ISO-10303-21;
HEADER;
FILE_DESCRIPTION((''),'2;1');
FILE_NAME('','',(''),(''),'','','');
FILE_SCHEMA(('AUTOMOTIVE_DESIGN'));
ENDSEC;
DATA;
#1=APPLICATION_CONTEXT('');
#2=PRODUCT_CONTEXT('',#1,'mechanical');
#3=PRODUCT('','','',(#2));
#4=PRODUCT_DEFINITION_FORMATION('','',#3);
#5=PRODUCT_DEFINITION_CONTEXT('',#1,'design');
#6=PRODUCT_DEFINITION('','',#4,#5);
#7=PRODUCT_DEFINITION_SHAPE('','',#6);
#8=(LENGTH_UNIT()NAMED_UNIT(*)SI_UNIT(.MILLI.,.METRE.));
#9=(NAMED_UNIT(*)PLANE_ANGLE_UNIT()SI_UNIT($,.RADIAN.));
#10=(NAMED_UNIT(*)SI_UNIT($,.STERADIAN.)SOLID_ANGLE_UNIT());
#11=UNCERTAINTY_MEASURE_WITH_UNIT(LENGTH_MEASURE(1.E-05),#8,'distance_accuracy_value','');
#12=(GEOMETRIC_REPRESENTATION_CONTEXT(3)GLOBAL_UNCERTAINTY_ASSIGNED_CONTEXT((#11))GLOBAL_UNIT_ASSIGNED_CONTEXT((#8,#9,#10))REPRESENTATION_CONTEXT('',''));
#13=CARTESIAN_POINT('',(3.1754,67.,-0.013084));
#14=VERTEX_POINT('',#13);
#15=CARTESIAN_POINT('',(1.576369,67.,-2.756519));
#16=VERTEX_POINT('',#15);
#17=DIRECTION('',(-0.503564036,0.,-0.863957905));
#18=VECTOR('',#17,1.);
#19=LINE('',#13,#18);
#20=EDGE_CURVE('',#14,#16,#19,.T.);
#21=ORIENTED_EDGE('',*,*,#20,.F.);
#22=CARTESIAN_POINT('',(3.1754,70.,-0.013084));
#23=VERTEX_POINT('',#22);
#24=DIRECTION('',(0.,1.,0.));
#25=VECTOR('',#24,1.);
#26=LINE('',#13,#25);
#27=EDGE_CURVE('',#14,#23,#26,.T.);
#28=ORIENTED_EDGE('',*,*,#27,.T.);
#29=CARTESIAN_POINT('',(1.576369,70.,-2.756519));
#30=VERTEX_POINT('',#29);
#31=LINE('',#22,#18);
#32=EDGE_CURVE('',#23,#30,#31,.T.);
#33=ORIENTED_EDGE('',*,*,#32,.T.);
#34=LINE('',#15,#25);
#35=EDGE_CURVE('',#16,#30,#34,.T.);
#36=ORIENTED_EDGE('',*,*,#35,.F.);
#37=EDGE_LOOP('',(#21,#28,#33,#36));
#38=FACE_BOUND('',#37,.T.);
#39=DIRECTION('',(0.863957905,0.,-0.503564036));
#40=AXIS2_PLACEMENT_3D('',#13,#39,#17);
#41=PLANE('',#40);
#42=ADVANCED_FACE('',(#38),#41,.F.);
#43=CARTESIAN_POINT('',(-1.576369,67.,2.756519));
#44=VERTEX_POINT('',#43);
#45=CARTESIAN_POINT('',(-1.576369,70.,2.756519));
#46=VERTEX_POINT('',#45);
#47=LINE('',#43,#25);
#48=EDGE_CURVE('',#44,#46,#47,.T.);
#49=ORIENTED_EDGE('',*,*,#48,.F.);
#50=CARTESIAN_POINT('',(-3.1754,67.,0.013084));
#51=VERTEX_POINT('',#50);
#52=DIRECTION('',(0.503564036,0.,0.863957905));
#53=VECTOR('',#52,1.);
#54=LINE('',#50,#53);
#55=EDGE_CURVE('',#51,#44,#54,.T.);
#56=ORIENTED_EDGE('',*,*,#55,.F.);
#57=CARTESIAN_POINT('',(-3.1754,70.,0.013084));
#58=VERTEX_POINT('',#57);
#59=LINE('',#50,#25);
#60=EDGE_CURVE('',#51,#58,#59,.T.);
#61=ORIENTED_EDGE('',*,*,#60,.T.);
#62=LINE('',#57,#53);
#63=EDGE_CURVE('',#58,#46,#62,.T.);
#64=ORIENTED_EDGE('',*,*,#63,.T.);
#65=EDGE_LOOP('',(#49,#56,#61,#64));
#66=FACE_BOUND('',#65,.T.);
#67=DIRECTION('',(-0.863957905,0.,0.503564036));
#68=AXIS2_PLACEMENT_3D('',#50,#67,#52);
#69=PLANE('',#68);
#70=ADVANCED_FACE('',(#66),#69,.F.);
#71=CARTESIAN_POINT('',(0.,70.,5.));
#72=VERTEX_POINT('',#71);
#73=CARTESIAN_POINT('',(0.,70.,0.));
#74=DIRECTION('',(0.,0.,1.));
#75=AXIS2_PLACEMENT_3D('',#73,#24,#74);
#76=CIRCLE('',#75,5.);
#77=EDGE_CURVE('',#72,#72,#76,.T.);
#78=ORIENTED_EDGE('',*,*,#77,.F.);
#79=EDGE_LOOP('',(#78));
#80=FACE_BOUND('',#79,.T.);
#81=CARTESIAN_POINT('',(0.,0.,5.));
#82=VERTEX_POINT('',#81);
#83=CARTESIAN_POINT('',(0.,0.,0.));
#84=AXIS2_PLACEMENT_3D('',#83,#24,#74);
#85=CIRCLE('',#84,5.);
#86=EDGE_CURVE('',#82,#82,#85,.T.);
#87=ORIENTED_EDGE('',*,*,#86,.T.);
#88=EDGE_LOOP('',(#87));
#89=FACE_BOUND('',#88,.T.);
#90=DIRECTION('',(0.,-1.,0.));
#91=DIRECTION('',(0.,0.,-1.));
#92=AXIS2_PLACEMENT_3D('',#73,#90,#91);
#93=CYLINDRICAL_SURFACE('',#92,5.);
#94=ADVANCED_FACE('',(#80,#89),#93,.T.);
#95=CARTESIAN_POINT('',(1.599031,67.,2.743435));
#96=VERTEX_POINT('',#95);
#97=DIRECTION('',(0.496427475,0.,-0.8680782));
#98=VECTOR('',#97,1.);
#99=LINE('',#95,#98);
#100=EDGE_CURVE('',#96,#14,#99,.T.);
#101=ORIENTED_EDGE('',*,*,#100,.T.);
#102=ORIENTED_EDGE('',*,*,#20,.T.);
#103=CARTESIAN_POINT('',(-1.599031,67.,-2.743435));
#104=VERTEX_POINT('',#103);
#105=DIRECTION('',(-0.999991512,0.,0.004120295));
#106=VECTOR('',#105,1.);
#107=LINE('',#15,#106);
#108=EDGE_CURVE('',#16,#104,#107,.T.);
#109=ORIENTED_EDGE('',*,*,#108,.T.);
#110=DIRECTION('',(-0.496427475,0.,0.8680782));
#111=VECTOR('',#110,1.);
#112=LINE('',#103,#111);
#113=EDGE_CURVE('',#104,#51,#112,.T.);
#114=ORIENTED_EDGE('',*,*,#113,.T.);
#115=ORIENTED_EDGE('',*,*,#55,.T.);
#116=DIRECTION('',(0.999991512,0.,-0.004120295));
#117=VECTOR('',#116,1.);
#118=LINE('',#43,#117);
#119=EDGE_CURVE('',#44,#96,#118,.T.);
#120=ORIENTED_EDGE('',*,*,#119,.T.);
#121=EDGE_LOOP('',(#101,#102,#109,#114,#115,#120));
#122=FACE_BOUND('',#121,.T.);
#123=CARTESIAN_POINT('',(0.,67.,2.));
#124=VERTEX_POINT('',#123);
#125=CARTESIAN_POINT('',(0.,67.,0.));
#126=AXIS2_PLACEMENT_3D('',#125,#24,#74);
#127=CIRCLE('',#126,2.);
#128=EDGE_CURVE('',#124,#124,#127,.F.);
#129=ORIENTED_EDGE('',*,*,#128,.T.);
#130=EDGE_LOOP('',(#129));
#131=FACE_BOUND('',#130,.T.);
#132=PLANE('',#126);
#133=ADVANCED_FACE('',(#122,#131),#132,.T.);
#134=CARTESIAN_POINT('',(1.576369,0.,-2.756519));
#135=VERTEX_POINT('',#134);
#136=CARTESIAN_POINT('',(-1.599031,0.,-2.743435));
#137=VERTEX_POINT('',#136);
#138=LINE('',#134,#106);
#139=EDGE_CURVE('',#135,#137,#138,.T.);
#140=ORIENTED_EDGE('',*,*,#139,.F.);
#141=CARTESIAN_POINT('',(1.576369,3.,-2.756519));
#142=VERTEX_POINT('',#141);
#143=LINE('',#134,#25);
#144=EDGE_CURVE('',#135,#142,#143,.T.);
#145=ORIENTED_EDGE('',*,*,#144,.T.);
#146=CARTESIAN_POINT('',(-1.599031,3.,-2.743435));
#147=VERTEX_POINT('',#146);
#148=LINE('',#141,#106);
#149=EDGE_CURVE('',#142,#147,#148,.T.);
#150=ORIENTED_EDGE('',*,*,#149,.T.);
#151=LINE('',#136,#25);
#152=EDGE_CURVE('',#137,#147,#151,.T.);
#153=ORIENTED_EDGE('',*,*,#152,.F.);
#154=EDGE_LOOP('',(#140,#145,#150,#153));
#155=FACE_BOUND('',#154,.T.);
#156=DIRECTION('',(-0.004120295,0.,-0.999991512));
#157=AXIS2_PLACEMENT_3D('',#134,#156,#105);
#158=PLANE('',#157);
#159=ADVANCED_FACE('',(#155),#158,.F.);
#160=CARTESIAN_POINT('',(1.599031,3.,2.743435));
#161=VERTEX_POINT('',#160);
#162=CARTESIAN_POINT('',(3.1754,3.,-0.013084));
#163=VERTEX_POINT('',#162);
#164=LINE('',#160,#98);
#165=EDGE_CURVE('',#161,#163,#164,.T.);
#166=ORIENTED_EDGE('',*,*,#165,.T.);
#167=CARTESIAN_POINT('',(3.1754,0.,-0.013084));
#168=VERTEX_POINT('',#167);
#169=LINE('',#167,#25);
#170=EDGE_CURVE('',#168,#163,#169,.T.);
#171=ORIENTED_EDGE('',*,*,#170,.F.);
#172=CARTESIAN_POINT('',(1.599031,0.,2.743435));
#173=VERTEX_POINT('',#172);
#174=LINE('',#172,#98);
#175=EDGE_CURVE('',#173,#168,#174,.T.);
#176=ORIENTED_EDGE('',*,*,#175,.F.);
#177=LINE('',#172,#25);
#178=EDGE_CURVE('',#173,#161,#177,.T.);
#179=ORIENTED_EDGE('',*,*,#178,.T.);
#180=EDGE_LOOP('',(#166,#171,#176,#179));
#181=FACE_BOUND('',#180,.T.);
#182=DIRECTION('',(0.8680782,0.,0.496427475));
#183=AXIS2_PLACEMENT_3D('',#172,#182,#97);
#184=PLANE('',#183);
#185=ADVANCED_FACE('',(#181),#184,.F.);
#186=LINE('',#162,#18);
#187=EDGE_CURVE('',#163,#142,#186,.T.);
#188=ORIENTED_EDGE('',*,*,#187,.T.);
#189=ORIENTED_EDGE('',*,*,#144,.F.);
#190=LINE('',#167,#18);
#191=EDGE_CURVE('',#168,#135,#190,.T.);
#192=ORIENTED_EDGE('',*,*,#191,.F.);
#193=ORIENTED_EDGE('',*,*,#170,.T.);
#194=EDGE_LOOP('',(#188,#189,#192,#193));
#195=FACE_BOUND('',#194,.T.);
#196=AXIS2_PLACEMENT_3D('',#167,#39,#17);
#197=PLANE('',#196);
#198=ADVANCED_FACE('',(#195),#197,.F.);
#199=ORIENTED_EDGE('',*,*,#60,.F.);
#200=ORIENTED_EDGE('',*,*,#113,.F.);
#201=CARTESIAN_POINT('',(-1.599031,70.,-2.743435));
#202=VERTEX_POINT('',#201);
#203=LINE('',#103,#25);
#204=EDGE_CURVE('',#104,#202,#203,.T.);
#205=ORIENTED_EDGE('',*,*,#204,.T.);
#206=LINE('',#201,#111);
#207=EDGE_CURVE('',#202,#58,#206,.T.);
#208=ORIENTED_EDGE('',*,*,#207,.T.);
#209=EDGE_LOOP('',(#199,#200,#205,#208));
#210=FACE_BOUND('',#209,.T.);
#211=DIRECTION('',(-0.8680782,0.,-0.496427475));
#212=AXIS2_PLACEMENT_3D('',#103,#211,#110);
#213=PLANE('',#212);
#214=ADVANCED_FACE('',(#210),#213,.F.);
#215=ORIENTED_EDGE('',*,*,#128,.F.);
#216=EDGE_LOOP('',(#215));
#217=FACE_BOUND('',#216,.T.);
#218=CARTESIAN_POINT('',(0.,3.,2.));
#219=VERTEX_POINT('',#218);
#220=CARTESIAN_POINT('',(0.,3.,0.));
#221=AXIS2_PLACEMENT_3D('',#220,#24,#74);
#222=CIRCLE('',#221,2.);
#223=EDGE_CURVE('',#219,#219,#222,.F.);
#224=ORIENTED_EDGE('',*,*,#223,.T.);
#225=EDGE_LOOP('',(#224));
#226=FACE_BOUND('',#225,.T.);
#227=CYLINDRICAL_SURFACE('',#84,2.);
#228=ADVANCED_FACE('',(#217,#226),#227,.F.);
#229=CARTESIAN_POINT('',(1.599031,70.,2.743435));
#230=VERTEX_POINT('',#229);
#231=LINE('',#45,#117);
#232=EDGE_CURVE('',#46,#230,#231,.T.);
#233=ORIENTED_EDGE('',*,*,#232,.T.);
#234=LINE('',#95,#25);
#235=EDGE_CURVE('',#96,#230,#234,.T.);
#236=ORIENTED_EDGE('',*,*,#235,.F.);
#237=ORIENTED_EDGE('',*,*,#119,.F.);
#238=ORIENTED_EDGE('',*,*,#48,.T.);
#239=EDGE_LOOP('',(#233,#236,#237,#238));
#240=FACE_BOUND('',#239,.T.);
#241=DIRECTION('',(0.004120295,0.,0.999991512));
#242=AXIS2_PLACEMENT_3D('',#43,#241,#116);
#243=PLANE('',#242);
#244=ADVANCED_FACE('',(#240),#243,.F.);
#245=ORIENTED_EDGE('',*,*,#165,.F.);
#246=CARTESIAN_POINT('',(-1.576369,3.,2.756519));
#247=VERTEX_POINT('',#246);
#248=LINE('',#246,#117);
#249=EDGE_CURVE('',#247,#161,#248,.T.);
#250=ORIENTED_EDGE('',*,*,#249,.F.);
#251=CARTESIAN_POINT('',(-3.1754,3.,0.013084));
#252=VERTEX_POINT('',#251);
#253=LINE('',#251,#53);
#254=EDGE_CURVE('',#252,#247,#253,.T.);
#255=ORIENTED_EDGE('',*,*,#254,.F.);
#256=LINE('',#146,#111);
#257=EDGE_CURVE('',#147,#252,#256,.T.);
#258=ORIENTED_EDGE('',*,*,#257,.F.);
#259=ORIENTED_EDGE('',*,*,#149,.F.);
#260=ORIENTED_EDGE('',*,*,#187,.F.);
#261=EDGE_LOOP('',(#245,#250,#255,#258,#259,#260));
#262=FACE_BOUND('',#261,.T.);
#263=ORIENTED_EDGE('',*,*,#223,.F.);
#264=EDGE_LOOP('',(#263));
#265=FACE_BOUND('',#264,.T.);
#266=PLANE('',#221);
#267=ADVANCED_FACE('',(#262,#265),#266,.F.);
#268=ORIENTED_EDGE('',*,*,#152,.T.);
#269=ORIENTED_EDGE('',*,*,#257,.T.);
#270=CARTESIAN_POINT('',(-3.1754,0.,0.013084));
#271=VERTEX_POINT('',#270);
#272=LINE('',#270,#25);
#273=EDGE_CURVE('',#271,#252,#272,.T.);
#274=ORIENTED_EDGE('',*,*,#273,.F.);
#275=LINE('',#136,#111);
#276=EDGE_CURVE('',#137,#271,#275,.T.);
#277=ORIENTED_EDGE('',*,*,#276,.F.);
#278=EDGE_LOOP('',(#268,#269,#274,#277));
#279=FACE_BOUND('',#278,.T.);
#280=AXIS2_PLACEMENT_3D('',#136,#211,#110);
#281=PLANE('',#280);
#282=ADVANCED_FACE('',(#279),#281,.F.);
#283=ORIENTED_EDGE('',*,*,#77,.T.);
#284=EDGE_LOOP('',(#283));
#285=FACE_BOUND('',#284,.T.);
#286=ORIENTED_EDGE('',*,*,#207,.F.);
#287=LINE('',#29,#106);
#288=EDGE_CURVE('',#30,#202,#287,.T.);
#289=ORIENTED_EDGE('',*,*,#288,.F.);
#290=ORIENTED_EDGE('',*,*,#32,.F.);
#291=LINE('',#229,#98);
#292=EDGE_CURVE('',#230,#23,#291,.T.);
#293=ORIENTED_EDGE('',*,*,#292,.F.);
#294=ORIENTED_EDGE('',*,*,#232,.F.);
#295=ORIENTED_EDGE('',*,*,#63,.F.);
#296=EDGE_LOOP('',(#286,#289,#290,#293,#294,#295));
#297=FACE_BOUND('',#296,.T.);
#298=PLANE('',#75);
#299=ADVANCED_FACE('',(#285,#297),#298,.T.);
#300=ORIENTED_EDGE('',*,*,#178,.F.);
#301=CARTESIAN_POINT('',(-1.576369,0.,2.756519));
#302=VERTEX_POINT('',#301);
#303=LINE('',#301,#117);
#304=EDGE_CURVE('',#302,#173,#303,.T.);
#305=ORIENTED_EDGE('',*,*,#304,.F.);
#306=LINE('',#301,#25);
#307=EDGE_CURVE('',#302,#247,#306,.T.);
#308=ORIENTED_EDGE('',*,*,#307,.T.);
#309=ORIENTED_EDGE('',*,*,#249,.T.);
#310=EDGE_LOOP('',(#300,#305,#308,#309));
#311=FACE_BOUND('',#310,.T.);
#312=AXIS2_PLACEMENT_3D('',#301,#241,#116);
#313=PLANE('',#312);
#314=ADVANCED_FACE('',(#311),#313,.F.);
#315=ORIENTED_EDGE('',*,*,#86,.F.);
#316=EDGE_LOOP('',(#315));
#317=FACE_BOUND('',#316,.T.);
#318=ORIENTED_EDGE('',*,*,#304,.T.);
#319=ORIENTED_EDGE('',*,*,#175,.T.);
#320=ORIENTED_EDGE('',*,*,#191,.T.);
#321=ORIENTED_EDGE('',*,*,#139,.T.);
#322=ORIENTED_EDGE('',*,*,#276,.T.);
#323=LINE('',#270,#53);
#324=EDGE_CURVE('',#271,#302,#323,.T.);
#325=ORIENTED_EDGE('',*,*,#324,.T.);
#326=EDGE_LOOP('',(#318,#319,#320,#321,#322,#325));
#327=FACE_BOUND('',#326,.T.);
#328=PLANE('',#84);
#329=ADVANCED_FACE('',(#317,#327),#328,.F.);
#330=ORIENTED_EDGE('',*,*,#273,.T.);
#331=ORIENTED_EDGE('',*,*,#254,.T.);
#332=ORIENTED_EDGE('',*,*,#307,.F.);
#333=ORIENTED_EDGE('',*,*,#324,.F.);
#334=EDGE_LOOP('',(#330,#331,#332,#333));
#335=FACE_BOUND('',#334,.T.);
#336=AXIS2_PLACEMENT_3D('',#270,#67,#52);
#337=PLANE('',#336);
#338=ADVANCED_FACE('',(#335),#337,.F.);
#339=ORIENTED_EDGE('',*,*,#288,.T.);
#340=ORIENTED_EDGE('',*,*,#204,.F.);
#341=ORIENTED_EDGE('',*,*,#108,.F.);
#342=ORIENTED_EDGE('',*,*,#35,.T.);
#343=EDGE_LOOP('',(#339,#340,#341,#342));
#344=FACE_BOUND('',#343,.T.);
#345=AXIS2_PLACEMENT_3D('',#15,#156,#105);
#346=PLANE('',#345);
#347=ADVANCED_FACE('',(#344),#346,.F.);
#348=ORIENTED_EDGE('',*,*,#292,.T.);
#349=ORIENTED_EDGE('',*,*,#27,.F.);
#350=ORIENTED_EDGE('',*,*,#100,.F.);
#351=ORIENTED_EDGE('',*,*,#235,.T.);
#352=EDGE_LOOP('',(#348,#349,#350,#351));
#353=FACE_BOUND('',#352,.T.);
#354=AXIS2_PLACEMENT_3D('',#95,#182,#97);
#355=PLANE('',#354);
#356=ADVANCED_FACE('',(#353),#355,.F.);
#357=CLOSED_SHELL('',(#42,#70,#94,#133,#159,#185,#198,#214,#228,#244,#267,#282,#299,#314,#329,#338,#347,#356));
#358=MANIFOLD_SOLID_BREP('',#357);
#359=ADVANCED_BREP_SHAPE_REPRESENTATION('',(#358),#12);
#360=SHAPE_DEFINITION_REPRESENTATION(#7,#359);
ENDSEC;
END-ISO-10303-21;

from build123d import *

# Parameters (mm, degrees)
SKETCH1_R           = 5
BOSS_EXTRUDE1_DEPTH = 70
SKETCH2_R           = 2
CUT_EXTRUDE1_DEPTH  = 71
CUT_EXTRUDE2_DEPTH  = 3
LPATTERN1_COUNT     = 2
LPATTERN1_PITCH     = 67


with BuildPart() as part:
    # Sketch1 → Boss-Extrude1 (new body)
    with BuildSketch(Plane(origin=(0, 0, 0), x_dir=(1, 0, 0), z_dir=(0, 1, 0))):
        Circle(SKETCH1_R)
    extrude(amount=BOSS_EXTRUDE1_DEPTH)

    # Sketch2 → Cut-Extrude1 (cut, through all)
    with BuildSketch(Plane(origin=(0, 70, 0), x_dir=(1, 0, 0), z_dir=(0, 1, 0))):
        Circle(SKETCH2_R)
    extrude(amount=-CUT_EXTRUDE1_DEPTH, mode=Mode.SUBTRACT)

    # Sketch3 → Cut-Extrude2 (cut)
    with BuildSketch(Plane(origin=(0, 70, 0), x_dir=(1, 0, 0), z_dir=(0, 1, 0))):
        Polygon((1.599030575, -2.74343481), (3.175399526, 0.013083694), (1.576368951, 2.756518504), (-1.599030575, 2.74343481), (-3.175399526, -0.013083694), (-1.576368951, -2.756518504), align=None)
    cut_extrude2 = extrude(amount=-CUT_EXTRUDE2_DEPTH, mode=Mode.SUBTRACT)

    # LPattern1: Cut-Extrude2 ×2
    with Locations(*[(0, -i * LPATTERN1_PITCH, 0) for i in range(1, LPATTERN1_COUNT)]):
        add(cut_extrude2, mode=Mode.SUBTRACT)


solid = part.part
